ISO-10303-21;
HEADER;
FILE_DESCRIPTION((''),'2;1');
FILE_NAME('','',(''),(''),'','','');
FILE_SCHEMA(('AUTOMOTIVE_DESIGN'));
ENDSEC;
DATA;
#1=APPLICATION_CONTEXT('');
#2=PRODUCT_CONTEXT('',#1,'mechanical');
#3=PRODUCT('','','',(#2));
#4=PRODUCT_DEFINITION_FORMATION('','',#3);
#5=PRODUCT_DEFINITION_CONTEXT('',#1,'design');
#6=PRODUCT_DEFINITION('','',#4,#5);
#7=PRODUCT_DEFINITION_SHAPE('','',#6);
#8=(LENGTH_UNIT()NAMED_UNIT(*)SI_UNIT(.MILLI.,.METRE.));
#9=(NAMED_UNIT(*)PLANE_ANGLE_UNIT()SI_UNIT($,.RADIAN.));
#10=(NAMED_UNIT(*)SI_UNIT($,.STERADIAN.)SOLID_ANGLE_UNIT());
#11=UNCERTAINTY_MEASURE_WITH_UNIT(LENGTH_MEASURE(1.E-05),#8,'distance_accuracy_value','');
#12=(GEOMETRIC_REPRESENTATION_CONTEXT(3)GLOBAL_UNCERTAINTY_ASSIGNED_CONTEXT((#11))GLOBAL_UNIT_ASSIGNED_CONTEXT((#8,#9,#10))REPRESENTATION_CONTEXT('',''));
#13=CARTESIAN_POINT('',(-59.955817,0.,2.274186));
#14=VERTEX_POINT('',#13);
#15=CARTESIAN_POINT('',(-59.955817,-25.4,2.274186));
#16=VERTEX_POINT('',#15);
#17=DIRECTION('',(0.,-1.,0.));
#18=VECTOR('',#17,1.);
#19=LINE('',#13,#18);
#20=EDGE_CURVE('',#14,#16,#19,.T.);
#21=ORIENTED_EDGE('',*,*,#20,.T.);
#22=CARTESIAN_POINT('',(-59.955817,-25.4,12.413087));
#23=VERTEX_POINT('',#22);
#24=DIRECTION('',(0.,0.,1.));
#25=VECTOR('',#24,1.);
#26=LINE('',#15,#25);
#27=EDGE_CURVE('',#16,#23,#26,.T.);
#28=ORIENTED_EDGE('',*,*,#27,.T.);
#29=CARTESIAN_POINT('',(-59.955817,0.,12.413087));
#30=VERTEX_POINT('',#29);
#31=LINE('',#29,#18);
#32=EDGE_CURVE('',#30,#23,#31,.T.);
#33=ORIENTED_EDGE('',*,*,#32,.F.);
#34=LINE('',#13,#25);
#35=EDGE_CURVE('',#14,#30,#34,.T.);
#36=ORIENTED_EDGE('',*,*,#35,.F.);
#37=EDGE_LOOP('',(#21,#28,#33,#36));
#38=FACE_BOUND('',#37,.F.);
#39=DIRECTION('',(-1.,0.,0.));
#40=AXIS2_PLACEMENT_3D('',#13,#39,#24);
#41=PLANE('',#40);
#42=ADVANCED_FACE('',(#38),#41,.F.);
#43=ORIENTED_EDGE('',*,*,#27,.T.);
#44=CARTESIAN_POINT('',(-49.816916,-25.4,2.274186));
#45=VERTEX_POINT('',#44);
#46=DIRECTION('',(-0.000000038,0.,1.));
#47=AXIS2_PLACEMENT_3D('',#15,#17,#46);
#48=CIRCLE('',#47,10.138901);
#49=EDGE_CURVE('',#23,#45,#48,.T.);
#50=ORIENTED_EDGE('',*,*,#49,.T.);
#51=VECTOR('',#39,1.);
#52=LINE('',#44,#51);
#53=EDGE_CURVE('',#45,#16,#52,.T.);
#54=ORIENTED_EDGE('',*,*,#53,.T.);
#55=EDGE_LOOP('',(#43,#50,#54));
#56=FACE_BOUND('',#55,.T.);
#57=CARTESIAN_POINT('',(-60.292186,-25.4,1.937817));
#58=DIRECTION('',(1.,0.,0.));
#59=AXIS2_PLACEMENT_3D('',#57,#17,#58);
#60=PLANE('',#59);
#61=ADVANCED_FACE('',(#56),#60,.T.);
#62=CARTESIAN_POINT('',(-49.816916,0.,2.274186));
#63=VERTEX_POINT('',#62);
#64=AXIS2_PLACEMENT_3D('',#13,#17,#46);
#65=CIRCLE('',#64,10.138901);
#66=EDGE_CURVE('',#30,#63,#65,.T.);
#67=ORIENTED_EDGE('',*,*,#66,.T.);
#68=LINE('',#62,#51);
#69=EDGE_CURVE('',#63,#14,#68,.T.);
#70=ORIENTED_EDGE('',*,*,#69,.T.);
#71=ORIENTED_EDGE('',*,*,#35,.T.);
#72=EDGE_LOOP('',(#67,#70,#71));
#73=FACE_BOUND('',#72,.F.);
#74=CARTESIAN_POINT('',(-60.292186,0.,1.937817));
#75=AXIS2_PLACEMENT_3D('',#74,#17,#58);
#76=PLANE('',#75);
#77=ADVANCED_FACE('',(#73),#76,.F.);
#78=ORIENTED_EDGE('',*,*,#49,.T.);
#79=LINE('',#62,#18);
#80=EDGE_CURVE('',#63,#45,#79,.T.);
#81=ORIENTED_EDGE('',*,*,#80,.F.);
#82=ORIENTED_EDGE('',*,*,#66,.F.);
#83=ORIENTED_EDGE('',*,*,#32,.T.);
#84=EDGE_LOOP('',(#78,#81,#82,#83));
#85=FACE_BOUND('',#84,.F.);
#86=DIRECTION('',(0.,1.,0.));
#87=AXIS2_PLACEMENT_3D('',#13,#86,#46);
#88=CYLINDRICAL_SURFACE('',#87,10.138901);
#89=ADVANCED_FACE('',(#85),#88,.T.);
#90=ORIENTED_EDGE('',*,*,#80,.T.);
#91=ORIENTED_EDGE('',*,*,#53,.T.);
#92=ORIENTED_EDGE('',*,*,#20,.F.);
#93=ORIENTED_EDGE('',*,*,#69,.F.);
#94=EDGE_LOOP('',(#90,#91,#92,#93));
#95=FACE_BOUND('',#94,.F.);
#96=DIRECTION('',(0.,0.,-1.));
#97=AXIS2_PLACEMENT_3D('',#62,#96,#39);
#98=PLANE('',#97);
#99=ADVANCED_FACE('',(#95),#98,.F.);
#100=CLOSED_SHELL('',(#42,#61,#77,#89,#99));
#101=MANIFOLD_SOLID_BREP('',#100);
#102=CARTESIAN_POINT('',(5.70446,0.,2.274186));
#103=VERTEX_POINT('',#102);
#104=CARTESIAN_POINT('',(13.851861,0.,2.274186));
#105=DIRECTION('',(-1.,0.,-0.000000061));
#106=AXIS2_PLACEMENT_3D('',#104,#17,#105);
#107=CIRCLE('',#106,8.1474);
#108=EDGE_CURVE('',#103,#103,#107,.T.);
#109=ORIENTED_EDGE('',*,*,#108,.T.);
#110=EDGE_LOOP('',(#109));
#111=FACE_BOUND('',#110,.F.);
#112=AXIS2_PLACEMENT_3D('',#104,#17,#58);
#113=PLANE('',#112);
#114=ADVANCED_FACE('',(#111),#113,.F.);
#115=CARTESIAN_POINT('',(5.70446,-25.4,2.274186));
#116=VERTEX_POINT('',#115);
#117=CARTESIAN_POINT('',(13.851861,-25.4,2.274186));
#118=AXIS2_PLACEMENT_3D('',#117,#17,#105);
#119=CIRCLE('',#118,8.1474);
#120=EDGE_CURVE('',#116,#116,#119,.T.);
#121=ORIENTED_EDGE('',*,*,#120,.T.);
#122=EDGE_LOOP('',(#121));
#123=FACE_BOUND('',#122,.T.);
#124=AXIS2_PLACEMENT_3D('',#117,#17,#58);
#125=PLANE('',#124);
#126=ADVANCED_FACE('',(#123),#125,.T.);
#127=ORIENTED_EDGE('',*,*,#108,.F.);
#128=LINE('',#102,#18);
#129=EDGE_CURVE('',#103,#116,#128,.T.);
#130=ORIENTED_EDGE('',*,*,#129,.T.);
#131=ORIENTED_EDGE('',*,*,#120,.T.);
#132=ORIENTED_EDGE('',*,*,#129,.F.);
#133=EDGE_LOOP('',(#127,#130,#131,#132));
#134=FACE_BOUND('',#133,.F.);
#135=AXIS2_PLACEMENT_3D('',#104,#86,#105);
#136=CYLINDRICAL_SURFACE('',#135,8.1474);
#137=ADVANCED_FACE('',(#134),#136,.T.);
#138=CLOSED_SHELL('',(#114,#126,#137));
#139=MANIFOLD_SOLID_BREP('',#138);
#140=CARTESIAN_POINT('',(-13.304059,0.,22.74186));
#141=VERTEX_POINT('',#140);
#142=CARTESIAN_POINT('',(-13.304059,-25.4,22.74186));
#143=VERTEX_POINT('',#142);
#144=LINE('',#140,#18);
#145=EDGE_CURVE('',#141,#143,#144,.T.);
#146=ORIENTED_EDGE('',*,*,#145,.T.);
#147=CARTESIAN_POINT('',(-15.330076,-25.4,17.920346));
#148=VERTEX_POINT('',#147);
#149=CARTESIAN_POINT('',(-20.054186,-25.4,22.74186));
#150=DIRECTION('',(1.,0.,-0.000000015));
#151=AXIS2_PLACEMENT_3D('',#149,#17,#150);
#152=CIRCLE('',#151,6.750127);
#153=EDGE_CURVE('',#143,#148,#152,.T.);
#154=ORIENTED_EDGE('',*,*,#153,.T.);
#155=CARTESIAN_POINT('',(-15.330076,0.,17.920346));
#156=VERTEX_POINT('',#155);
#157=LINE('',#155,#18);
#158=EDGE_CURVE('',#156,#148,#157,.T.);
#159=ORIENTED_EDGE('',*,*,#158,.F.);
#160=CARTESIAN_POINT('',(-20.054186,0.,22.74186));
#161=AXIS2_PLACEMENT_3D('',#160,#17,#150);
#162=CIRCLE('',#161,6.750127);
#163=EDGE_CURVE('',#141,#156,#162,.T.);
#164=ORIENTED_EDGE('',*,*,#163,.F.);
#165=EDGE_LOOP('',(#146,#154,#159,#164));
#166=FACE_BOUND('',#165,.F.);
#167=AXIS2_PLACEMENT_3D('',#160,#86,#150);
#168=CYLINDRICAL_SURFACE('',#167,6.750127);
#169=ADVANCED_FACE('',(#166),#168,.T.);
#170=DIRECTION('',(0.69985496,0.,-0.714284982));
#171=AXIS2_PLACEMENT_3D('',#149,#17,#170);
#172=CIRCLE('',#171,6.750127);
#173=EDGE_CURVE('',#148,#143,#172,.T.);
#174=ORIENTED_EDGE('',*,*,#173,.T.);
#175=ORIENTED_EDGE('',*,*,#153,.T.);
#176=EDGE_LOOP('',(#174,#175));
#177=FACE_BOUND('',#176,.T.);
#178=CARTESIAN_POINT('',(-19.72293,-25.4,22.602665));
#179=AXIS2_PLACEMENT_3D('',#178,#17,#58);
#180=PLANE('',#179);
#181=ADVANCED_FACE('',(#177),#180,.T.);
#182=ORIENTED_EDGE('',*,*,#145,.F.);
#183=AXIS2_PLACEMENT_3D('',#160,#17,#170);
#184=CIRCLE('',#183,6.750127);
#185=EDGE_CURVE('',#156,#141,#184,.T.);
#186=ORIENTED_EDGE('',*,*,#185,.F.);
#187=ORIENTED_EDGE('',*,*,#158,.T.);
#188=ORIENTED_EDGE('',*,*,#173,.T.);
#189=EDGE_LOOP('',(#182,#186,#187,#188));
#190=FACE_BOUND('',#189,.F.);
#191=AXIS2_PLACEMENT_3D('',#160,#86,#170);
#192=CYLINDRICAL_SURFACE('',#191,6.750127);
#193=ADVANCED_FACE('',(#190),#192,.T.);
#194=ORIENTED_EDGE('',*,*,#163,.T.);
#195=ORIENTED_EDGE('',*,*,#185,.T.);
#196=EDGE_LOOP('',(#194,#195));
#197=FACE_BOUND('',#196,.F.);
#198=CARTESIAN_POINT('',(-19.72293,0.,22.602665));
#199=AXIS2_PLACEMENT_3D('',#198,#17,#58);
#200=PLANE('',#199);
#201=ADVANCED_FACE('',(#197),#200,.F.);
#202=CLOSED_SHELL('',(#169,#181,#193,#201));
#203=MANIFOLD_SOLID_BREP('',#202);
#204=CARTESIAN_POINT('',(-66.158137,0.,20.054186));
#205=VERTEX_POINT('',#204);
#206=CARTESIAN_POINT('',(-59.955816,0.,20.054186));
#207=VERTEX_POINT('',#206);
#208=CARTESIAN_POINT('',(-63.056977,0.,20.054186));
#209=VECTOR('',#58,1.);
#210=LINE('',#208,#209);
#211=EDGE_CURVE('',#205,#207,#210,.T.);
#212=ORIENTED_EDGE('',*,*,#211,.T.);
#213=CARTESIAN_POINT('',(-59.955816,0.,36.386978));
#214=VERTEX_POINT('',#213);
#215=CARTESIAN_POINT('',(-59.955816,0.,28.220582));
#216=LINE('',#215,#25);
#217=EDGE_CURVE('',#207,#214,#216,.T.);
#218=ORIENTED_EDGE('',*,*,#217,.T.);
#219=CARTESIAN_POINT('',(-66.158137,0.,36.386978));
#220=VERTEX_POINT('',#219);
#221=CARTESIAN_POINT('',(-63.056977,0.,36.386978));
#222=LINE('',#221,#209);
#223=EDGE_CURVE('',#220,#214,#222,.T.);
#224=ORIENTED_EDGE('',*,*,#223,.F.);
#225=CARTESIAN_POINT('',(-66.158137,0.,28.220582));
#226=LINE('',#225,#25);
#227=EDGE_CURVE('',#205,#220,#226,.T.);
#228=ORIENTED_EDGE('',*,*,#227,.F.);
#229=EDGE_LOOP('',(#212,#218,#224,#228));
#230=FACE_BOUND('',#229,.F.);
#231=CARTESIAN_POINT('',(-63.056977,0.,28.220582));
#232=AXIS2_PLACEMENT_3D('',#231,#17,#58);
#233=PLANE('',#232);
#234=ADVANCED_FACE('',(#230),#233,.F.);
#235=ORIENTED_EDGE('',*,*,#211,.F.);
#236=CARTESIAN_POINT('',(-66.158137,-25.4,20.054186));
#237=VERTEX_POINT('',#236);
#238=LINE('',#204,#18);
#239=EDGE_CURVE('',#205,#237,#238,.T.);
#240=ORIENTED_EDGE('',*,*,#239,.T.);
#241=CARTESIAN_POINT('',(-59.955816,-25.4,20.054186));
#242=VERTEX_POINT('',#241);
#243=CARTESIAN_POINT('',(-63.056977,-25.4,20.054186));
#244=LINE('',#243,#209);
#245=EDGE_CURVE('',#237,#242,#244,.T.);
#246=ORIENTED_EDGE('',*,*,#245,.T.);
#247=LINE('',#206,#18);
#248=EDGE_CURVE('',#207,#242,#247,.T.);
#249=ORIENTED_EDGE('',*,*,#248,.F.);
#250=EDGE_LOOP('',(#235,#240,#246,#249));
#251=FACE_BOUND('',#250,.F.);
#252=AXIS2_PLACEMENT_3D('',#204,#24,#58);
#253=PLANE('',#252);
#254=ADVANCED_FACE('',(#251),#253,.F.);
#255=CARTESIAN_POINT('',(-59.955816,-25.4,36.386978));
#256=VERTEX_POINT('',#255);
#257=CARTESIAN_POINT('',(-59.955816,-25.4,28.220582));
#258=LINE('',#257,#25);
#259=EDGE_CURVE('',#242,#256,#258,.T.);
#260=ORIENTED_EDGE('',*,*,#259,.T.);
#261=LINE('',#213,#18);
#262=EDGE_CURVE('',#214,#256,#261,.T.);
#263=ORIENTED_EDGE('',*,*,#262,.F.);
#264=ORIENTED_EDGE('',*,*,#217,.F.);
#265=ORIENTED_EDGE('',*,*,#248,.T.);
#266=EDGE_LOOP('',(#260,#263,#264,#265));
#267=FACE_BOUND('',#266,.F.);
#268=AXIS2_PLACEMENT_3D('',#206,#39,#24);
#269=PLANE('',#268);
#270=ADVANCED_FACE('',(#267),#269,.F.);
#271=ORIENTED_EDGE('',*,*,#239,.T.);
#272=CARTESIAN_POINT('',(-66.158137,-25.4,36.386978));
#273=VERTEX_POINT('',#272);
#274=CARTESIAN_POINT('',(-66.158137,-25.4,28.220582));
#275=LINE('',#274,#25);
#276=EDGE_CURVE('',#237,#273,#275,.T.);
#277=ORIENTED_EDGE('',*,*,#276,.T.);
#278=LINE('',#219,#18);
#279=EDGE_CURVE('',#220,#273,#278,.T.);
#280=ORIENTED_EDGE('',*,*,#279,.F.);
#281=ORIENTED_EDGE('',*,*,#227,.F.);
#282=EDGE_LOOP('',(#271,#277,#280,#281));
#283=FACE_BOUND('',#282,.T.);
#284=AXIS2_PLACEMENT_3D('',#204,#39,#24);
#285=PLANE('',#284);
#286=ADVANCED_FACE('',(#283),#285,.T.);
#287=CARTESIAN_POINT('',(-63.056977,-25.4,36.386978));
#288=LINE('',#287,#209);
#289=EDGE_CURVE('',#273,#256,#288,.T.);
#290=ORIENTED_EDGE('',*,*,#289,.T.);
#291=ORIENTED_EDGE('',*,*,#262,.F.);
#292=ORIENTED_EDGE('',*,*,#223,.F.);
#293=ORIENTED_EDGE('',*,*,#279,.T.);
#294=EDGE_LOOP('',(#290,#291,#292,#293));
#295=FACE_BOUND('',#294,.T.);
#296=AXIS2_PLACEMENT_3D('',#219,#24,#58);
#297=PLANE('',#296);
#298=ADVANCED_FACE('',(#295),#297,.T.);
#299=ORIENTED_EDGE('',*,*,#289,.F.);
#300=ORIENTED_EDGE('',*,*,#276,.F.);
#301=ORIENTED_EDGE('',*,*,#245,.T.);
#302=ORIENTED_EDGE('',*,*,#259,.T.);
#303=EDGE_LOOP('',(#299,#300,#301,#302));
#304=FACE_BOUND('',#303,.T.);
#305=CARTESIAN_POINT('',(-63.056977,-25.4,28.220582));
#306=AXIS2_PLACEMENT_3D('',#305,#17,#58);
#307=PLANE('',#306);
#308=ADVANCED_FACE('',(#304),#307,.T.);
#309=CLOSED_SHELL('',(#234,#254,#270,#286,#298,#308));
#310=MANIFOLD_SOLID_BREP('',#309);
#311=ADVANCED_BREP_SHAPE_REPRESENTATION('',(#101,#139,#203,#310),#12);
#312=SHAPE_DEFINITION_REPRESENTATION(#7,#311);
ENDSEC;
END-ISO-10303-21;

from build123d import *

# Parameters (mm, degrees)
F0_W     = 6.202321
F0_H     = 16.332792
F1_DEPTH = 25.4


with BuildPart() as f1:
    # F0 (on Front) → F1 (new body)
    with BuildSketch(Plane.XZ):
        with BuildLine():
            Line((-59.955817, 2.274186), (-59.955817, 12.413087))
            ThreePointArc((-59.955817, 12.413087), (-67.125102, -4.895099), (-49.816916, 2.274186))
            Line((-49.816916, 2.274186), (-59.955817, 2.274186))
        make_face()
        with Locations((-63.056977, 28.220582)):
            Rectangle(F0_W, F0_H)
        with BuildLine():
            ThreePointArc((21.999261, 2.274186), (13.851861, 10.421587), (5.70446, 2.274186))
            ThreePointArc((5.70446, 2.274186), (13.851861, -5.873214), (21.999261, 2.274186))
        make_face()
        with BuildLine():
            ThreePointArc((-13.304059, 22.74186), (-26.27723, 25.356804), (-15.330076, 17.920346))
            ThreePointArc((-15.330076, 17.920346), (-13.831142, 20.126915), (-13.304059, 22.74186))
        make_face()
    extrude(amount=F1_DEPTH)


solid = f1.part
